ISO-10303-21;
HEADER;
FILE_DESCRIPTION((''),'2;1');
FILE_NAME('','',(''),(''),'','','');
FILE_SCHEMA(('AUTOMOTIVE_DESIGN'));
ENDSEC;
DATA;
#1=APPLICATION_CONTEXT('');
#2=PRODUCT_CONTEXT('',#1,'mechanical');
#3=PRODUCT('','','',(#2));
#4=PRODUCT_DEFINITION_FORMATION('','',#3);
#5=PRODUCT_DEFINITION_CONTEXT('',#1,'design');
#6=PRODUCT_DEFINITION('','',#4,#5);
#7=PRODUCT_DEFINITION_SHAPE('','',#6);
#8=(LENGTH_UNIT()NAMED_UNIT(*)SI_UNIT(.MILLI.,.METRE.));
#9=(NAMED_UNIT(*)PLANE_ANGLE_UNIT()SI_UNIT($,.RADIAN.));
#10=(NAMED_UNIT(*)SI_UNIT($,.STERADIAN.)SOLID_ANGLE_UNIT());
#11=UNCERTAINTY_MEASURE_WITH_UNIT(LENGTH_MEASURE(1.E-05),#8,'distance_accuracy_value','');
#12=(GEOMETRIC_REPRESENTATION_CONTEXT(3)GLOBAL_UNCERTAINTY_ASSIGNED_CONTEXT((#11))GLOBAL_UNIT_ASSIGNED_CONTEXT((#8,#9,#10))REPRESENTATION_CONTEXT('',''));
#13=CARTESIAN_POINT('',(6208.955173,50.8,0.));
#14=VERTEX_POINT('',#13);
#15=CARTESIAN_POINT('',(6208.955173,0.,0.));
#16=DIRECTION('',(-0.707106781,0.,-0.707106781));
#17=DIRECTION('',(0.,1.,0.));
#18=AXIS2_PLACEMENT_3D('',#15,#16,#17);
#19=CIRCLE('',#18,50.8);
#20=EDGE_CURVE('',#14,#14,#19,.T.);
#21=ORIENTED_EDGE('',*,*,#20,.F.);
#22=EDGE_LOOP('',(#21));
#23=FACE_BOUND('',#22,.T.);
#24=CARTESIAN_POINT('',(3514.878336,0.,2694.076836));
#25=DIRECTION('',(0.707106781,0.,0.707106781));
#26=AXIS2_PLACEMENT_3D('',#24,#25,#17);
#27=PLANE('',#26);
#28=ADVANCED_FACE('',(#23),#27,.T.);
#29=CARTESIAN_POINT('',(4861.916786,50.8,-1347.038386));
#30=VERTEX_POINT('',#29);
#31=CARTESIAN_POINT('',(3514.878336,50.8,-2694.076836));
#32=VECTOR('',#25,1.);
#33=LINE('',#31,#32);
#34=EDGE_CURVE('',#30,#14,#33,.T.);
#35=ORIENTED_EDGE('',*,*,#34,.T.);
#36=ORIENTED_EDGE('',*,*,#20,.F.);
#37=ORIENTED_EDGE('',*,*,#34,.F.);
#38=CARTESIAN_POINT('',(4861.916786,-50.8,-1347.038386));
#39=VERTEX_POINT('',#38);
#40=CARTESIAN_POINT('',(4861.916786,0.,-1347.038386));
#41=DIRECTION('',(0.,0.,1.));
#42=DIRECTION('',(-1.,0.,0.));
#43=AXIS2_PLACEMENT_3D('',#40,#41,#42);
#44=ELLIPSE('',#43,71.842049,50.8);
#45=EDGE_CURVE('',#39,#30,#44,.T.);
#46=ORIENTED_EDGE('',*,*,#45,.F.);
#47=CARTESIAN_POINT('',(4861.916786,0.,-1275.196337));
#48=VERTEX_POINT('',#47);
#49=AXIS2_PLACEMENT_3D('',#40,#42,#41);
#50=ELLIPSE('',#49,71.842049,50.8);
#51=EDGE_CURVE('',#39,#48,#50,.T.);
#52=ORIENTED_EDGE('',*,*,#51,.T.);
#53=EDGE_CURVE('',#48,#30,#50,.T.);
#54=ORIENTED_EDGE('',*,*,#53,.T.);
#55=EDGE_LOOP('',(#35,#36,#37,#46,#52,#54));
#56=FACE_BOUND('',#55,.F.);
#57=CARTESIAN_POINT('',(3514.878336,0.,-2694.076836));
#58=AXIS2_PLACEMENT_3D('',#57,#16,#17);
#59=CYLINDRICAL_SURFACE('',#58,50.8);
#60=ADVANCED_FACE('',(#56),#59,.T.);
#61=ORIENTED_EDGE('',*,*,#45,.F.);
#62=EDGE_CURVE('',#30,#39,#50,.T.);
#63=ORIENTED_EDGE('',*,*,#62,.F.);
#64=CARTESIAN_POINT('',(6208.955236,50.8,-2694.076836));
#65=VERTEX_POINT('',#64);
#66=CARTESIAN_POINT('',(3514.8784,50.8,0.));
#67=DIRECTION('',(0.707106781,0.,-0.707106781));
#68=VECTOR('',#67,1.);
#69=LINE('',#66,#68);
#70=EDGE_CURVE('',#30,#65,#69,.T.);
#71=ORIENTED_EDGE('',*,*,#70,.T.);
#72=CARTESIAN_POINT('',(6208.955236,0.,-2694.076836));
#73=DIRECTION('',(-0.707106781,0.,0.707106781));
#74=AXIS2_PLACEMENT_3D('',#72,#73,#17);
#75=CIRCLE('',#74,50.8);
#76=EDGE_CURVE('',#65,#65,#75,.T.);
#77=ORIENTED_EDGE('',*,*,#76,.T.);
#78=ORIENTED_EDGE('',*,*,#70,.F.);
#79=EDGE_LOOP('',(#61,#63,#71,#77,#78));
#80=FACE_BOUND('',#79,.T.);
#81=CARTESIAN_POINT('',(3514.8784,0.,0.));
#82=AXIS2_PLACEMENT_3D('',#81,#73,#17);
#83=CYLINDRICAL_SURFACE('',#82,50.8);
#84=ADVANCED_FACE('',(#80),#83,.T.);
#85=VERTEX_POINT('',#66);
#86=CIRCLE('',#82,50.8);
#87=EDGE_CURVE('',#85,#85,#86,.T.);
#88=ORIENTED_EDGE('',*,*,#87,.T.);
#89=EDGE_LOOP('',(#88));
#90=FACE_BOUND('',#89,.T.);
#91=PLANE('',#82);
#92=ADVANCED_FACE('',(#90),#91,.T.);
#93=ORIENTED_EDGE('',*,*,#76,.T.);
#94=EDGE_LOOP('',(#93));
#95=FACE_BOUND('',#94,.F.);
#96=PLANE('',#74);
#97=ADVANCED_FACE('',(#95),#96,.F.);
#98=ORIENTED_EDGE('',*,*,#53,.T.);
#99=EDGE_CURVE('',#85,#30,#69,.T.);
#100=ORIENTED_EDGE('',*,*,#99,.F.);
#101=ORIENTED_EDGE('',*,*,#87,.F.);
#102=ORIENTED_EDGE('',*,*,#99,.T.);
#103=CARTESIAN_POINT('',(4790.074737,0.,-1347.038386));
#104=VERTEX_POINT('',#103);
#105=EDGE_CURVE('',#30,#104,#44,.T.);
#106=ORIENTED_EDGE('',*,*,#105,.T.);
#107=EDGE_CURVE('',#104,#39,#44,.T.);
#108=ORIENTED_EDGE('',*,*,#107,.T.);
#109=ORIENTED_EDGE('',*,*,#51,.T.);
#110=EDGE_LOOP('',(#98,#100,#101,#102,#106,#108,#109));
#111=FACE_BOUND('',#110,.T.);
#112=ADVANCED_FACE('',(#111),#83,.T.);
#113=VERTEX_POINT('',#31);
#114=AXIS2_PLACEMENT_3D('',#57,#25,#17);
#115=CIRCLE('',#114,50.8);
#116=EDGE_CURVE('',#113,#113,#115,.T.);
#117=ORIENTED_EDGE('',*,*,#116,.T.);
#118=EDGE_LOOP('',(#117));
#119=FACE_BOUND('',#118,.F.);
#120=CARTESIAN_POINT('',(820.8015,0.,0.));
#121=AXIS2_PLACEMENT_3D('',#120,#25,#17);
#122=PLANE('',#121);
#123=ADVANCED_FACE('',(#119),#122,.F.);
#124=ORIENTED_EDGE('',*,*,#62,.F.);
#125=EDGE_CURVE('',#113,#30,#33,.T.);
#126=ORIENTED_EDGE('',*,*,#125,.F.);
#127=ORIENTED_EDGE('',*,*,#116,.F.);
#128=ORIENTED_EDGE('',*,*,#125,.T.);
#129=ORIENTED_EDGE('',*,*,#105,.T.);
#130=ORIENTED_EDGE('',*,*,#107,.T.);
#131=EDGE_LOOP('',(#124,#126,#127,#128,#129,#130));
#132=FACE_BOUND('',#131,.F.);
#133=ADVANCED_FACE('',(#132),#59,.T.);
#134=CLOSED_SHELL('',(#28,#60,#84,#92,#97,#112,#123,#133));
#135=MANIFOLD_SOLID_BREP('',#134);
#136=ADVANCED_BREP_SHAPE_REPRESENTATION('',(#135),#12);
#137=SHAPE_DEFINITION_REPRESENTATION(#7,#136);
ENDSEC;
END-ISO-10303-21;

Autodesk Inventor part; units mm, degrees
sketch "Sketch1" plane through (0, 0, 0) normal (0, 0, 1) x (1, 0, 0)
  line L0 (-1895.2334, -130.644) -> (-1895.2334, 123.356) projected
  line L1 (1914.7078, -105.244) -> (1914.7078, 97.956) projected
  line L2 (1609.9078, 123.356) -> (1609.9078, -130.644) projected
  line L3 (1609.9078, -3.644) -> (1762.3078, -3.644)
  line L4 (1914.7078, -3.644) -> (5115.049, -3.644) construction
  line L5 (5115.049, -130.644) -> (5115.049, 123.356) projected
  line L6 (1914.7078, -3.644) -> (3514.8784, -3.644) construction
  line L7 (1609.9078, -130.644) -> (5115.049, -130.644)
  line L8 (1609.9078, 130.644) -> (5115.049, 130.644)
  line L9 (0, 0) -> (3514.8784, 0) construction
  line L10 (3514.8784, 0) -> (3514.8784, 27.5413)
  dimension "d0" = 304.8
  dimension "d1" = 152.4
  dimension "d2" = 3200.3412
  dimension "d3" = 1600.1706
  dimension "d4" = 261.2879
  dimension "d5" = 3514.8784
ref_plane "Work Plane1" through (3514.8784, 0, 0) normal (-0.7071, 0, 0.7071) x (0, 1, 0)
sketch "Sketch2" plane through (3514.8784, 0, 0) normal (-0.7071, 0, 0.7071) x (0, 1, 0)
  circle A0 centre (0, 0) radius 50.8
  point P0 (0, 2485.3943)
  dimension "d7" = 101.6
extrude "Extrusion1" add sketch "Sketch2" against normal blind 3810
sketch "Sketch3" plane through (0, 0, 0) normal (0, 1, 0) x (-1, 0, 0)
  line L0 (-14897.9748, 11383.0964) -> (3194.7063, -6709.5846) construction
  line L1 (-18516.511, 0) -> (6813.2425, 0) construction
  line L2 (-820.8015, 0) -> (-2167.8399, -1347.0384) construction
  line L3 (-3550.7994, 35.921) -> (-3478.9573, -35.921) construction
  line L4 (-3514.8784, 0) -> (-820.8015, -2694.0768) construction
  point P0 (0, 0)
  dimension "d10" = 3810
  dimension "d11" = 1905
sketch "Sketch4" plane through (0, 0, 0) normal (0, 0, 1) x (1, 0, 0)
  line L0 (820.8015, 0) -> (820.8015, 41.7807)
  point P0 (0, 0)
ref_plane "Work Plane2" through (820.8015, 0, 0) normal (0.7071, 0, 0.7071) x (0, 1, 0)
ref_plane "Work Plane6" through (4861.9168, 0, -1347.0384) normal (-0.7071, 0, 0.7071) x (0, 1, 0)
ref_plane "Work Plane7" through (820.8015, 0, -2694.0768) normal (0, 0, -1) x (0, 1, 0)
ref_plane "Work Plane8" through (3514.8784, 0, -2694.0768) normal (1, 0, 0) x (0, 1, 0)
sketch "Sketch5" plane through (820.8015, 0, 0) normal (0.7071, 0, 0.7071) x (0, 1, 0)
  line L0 (-182.9016, -3810) -> (182.9016, -3810) projected
  line L1 (0, 580.3943) -> (0, -3810)
  circle A0 centre (0, -3810) radius 50.8
  dimension "d17" = 101.6
extrude "Extrusion2" add sketch "Sketch5" along normal blind 3810
ref_plane "Work Plane3" through (820.8015, 0, 0) normal (1, 0, 0) x (0, 1, 0)
ref_plane "Work Plane4" through (-526.2369, 0, -1347.0384) normal (0.7071, 0, 0.7071) x (0, 1, 0)
ref_plane "Work Plane5" through (3514.8784, 0, 0) normal (-0.7071, 0, 0.7071) x (0, 1, 0)
equation "\"d3\" = 0.5 * d2"
properties part number "CrossbeamPoleAJB"
